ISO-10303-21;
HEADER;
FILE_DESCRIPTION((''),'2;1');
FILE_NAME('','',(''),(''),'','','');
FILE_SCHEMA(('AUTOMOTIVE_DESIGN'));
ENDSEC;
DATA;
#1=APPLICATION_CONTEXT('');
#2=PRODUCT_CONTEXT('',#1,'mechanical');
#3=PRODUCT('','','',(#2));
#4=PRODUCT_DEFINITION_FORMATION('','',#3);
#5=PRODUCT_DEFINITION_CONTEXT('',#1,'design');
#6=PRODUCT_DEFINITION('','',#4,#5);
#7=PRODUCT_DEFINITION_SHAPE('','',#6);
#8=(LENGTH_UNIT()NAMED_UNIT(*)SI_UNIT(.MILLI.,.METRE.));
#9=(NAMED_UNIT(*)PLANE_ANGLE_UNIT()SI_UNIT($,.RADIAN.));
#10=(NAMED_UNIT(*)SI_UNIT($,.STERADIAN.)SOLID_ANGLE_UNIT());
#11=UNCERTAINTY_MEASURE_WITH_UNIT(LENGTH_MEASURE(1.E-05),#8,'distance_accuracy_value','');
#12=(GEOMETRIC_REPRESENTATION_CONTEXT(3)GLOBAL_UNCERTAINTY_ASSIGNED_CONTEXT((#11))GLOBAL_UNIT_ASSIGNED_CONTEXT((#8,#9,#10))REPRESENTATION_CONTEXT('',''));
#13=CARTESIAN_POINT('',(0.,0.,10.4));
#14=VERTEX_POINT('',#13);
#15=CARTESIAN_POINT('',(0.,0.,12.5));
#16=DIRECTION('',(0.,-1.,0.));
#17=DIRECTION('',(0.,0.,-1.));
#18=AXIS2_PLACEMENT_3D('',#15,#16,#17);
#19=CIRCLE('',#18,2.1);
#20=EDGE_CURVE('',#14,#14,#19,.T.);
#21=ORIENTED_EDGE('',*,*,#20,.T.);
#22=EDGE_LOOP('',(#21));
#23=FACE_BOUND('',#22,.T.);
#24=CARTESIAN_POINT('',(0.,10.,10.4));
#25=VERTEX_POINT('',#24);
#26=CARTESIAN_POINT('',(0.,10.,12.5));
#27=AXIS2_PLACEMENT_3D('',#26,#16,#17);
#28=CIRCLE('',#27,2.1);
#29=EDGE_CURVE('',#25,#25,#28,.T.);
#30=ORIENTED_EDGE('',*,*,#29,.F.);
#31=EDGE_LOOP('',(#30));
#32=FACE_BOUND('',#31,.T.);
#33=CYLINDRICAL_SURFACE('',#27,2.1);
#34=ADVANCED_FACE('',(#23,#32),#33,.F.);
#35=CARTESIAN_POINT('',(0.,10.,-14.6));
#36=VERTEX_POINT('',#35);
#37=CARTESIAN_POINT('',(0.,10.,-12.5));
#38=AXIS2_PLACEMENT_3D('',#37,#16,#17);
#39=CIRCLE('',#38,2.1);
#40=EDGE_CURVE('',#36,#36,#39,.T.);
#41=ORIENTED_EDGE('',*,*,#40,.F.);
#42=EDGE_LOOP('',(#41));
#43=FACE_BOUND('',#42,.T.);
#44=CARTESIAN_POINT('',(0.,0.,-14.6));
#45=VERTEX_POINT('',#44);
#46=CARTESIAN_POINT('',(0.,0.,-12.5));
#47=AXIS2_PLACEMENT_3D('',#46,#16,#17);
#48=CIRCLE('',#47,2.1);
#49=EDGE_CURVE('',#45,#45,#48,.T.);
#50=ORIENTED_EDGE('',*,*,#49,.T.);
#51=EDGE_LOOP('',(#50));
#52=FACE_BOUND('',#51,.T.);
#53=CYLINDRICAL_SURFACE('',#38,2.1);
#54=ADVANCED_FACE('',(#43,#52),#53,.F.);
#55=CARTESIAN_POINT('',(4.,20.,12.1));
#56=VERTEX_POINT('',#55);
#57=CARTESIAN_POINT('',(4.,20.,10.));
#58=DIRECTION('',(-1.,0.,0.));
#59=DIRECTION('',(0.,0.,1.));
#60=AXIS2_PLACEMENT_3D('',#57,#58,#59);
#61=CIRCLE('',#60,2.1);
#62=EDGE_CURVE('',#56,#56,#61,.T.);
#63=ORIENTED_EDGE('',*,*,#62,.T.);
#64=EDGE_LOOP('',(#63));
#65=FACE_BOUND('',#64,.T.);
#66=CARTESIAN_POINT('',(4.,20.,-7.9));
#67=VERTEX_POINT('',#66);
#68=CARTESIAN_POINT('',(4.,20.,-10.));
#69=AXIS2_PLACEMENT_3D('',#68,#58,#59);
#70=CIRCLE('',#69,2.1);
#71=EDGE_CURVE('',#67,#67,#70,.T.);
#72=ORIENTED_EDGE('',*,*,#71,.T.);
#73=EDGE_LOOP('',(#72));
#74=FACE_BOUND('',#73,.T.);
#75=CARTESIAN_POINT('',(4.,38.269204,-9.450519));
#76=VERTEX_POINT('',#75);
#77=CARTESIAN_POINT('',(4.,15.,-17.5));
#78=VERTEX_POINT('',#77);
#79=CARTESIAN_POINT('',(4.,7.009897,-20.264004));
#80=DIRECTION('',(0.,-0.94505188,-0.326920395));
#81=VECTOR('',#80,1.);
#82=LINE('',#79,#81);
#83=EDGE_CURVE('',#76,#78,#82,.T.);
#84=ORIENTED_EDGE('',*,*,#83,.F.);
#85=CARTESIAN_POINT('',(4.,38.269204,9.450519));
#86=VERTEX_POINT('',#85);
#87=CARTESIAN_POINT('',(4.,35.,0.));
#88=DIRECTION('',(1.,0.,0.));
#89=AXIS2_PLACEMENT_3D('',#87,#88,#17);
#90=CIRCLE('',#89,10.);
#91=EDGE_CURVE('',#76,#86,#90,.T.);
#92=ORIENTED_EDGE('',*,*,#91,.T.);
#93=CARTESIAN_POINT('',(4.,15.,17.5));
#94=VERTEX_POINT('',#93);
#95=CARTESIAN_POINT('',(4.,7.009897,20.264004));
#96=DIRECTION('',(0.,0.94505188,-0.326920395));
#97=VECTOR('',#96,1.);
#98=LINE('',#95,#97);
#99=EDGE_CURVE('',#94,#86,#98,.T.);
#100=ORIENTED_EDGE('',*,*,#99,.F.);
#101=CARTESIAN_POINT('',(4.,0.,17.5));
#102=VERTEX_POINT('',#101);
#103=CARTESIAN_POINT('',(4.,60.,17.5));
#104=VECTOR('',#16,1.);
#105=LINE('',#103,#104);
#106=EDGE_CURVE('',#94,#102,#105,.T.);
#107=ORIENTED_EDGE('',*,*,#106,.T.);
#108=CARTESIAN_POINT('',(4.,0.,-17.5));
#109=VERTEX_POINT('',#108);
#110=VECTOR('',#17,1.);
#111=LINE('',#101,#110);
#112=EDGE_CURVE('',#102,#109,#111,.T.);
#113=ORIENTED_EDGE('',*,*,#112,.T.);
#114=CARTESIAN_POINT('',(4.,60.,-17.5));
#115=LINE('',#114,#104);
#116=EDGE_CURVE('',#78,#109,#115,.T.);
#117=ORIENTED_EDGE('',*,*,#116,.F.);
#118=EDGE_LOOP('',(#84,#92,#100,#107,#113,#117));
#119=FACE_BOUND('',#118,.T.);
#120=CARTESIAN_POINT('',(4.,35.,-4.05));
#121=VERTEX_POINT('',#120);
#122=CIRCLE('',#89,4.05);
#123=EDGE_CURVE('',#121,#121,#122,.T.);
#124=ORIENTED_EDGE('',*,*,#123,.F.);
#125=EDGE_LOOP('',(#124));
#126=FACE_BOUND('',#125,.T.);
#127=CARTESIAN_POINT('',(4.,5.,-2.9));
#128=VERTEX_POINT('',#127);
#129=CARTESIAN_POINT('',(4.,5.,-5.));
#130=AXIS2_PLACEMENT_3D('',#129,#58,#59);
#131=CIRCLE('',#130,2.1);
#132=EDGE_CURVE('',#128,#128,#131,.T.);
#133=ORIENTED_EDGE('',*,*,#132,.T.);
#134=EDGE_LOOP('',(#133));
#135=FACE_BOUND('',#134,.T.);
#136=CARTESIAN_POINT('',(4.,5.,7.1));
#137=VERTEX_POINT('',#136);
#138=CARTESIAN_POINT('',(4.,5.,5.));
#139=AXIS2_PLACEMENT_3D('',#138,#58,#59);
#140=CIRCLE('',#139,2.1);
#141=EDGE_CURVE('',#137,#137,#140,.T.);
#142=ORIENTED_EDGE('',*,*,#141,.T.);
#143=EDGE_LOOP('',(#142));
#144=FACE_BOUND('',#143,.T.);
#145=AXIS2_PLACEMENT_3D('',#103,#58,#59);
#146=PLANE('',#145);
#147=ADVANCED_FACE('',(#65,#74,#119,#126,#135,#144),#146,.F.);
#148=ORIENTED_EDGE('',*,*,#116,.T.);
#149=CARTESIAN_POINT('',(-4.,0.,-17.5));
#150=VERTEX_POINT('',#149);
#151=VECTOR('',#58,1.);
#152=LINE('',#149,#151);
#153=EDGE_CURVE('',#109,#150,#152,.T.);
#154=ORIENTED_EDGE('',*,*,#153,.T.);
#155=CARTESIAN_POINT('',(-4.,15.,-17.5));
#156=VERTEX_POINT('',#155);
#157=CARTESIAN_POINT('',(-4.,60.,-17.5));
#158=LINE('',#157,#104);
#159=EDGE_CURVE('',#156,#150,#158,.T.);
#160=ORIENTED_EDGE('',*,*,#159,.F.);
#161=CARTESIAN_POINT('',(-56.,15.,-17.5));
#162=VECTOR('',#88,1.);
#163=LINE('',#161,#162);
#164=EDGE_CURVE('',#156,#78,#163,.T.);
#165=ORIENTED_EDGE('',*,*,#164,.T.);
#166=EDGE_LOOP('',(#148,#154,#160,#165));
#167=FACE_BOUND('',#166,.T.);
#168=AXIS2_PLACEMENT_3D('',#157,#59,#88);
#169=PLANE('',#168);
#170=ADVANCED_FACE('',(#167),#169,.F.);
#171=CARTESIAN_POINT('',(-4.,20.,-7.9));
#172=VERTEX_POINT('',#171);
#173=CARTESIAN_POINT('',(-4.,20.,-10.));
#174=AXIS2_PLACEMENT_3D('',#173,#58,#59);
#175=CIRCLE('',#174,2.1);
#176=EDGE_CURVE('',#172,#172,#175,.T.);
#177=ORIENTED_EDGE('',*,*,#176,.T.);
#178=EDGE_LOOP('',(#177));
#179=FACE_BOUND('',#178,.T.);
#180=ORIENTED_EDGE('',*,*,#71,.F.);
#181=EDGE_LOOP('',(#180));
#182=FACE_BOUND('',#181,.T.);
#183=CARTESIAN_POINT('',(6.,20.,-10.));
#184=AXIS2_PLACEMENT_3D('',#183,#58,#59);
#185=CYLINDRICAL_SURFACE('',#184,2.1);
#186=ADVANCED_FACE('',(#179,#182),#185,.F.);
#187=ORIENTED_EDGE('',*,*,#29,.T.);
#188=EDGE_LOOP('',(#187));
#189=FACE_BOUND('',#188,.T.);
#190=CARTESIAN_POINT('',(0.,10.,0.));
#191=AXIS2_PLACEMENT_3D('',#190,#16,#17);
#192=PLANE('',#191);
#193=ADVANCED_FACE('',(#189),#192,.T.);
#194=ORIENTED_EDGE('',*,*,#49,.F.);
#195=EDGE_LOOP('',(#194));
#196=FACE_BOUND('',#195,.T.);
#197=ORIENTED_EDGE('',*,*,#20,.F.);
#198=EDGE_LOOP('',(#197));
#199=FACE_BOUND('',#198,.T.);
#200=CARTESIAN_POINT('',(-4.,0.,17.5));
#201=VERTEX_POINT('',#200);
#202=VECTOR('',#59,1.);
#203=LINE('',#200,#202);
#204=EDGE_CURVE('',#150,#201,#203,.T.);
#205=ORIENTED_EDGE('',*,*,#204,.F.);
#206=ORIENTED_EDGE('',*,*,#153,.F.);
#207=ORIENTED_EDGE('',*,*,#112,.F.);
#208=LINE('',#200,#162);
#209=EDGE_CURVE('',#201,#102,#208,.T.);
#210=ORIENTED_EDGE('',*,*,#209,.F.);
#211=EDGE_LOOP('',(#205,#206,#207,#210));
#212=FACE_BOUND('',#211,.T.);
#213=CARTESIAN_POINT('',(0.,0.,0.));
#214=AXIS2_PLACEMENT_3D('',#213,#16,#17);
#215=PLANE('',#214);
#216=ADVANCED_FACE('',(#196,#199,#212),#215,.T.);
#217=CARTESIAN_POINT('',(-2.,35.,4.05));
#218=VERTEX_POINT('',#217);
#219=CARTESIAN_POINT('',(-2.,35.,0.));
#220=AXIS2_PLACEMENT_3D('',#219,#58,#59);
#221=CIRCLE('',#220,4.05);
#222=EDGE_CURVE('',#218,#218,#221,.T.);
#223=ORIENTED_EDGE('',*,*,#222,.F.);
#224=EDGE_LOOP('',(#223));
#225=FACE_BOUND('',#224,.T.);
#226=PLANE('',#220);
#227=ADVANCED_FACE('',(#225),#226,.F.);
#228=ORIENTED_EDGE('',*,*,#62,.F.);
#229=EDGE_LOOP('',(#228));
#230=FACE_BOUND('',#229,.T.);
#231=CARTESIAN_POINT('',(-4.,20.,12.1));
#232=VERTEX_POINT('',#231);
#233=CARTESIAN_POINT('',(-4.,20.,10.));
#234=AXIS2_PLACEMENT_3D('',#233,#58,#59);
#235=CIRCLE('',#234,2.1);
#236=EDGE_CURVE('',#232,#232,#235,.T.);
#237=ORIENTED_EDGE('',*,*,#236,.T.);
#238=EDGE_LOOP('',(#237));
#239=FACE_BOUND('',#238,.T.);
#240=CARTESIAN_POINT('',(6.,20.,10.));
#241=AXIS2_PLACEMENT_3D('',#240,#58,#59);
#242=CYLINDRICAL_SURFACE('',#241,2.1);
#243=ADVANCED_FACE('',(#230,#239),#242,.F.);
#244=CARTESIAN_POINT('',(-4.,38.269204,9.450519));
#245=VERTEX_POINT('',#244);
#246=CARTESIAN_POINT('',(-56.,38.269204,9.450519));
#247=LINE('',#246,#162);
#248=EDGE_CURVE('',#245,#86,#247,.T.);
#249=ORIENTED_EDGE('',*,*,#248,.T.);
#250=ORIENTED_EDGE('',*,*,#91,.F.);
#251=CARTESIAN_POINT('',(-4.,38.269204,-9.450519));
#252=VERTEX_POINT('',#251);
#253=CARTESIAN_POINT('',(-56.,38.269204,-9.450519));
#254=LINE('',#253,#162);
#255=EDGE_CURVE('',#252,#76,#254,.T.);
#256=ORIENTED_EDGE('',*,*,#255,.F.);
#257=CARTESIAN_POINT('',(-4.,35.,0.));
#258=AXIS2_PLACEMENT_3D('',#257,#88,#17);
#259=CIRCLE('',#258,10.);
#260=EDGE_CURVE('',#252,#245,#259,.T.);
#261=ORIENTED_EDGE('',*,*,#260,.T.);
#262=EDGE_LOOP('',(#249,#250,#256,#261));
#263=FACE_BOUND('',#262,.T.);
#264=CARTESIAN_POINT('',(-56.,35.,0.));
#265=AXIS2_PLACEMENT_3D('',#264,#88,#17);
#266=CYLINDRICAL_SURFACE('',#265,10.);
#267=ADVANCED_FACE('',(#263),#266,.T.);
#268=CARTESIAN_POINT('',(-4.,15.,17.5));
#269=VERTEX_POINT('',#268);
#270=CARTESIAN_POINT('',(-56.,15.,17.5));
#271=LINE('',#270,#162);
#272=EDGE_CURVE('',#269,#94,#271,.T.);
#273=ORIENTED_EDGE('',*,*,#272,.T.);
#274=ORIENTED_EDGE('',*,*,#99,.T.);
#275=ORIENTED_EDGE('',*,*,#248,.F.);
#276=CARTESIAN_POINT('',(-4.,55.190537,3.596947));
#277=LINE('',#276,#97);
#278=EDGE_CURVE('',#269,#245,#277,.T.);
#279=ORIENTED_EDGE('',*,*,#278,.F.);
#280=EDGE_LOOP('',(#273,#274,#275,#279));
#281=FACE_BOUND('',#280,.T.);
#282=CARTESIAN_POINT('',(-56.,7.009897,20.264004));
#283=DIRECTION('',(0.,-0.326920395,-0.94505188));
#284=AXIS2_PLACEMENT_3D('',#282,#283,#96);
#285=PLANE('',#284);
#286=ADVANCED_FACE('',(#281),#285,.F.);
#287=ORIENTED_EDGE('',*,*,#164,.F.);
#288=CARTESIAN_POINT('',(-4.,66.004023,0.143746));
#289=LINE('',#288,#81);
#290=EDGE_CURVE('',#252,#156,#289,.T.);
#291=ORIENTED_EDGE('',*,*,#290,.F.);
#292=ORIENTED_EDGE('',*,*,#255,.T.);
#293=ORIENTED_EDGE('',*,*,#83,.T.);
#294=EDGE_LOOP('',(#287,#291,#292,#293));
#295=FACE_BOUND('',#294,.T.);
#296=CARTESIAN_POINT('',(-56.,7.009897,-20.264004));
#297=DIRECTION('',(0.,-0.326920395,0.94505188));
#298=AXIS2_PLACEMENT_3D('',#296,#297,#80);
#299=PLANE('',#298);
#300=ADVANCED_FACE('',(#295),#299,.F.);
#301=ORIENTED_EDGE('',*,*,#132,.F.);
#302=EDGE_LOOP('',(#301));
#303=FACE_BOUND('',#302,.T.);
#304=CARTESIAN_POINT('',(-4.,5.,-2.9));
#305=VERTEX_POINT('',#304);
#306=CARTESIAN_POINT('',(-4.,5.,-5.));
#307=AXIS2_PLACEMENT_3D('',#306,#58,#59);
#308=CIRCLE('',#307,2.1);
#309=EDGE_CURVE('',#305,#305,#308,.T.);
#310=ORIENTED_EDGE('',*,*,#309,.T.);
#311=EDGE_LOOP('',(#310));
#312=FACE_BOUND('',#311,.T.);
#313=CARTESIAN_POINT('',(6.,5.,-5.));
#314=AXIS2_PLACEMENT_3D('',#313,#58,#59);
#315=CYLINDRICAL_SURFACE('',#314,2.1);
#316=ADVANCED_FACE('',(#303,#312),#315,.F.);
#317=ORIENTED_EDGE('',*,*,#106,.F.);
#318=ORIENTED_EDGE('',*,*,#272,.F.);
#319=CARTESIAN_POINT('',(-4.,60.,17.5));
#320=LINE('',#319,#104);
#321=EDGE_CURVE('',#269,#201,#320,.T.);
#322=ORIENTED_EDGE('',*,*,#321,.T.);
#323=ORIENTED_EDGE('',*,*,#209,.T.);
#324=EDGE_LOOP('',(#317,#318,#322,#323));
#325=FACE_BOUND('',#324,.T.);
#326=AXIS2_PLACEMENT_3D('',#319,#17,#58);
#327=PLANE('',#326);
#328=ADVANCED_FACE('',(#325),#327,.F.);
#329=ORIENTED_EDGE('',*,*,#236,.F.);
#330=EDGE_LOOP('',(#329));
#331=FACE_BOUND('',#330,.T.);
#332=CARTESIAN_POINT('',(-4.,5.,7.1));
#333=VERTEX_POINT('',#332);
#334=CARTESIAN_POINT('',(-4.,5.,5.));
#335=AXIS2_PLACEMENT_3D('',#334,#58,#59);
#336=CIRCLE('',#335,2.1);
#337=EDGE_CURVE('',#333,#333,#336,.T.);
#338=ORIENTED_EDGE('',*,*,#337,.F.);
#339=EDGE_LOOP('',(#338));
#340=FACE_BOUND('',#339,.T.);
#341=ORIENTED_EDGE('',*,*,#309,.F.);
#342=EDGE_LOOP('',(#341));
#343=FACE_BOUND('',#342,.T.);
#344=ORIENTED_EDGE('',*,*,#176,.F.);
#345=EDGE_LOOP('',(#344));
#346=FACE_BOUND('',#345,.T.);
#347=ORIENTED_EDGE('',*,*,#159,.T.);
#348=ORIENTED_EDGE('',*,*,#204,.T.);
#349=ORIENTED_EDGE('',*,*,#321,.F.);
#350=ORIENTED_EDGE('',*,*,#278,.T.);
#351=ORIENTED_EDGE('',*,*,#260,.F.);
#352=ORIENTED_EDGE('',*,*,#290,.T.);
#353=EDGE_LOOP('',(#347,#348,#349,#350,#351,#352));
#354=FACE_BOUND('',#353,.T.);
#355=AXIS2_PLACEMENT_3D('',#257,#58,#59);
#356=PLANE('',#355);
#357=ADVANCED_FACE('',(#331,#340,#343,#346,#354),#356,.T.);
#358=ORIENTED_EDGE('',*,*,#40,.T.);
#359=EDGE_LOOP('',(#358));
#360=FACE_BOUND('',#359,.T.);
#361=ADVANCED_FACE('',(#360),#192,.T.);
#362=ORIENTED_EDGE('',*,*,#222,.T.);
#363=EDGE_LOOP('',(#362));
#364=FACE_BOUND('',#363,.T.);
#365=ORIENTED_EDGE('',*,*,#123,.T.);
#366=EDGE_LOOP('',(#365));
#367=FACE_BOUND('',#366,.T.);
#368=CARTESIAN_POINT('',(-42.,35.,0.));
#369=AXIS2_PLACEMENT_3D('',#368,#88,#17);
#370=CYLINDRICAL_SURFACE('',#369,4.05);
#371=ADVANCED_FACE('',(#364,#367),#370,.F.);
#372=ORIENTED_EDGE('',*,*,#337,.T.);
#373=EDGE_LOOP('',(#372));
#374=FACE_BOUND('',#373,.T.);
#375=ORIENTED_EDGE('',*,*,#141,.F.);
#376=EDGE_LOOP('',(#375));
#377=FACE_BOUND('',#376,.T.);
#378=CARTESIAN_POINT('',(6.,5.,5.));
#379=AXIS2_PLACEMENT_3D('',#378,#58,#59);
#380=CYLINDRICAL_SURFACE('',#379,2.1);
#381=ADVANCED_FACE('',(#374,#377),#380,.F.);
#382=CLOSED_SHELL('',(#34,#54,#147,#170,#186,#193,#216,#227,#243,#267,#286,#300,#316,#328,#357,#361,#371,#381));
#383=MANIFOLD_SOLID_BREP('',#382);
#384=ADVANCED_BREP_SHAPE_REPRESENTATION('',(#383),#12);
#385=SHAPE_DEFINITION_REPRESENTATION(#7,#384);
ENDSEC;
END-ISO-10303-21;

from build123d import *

# Parameters (mm, degrees)
SKETCH_1_W          = 8
SKETCH_1_H          = 35
EXTRUDE_1_DEPTH     = 60
CUT_EXTRUDE_1_DEPTH = 60
SKETCH_3_R          = 2.1
CUT_EXTRUDE_2_DEPTH = 10
SKETCH_4_R          = 4.05
CUT_EXTRUDE_3_DEPTH = 46
SKETCH_5_R          = 2.1
CUT_EXTRUDE_4_DEPTH = 10
SKETCH_7_R          = 4.05
EXTRUDE_2_DEPTH     = 2


with BuildPart() as part:
    # 草图1 → 凸台-拉伸1 (new body)
    with BuildSketch(Plane(origin=(0, 0, 0), x_dir=(1, 0, 0), z_dir=(0, 1, 0))):
        Rectangle(SKETCH_1_W, SKETCH_1_H)
    extrude(amount=EXTRUDE_1_DEPTH)

    # 草图2 → 切除-拉伸1 (cut)
    with BuildSketch(Plane(origin=(4, 0, 0), x_dir=(0, 0, -1), z_dir=(1, 0, 0))):
        with BuildLine():
            Line((-17.5, 15), (-9.450518874, 38.269203727))
            ThreePointArc((-9.450518874, 38.269203727), (-1.17e-07, 45), (9.450518798, 38.269203948))
            Line((9.450518798, 38.269203948), (17.5, 15))
            Line((17.5, 15), (17.5, 60))
            Line((17.5, 60), (-17.5, 60))
            Line((-17.5, 60), (-17.5, 15))
        make_face()
    extrude(amount=-CUT_EXTRUDE_1_DEPTH, mode=Mode.SUBTRACT)

    # 草图3 → 切除-拉伸2 (cut)
    with BuildSketch(Plane.XZ):
        with Locations(Location((0, -12.5, 0), (0, 0, 270))):
            Circle(SKETCH_3_R)
        with Locations(Location((0, 12.5, 0), (0, 0, 270))):
            Circle(SKETCH_3_R)
    extrude(amount=-CUT_EXTRUDE_2_DEPTH, mode=Mode.SUBTRACT)

    # 草图4 → 切除-拉伸3 (cut)
    with BuildSketch(Plane(origin=(4, 0, 0), x_dir=(0, 0, -1), z_dir=(1, 0, 0))):
        with Locations((0, 35)):
            Circle(SKETCH_4_R)
    extrude(amount=-CUT_EXTRUDE_3_DEPTH, mode=Mode.SUBTRACT)

    # 草图5 → 切除-拉伸4 (cut)
    with BuildSketch(Plane.ZY.offset(4)):
        with Locations((10, 20)):
            Circle(SKETCH_5_R)
        with Locations((-10, 20)):
            Circle(SKETCH_5_R)
        with Locations((5, 5)):
            Circle(SKETCH_5_R)
        with Locations((-5, 5)):
            Circle(SKETCH_5_R)
    extrude(amount=-CUT_EXTRUDE_4_DEPTH, mode=Mode.SUBTRACT)


with BuildPart() as body_2:
    # 草图7 → 凸台-拉伸2 (new body)
    with BuildSketch(Plane.ZY.offset(4)):
        with Locations(Location((0, 35, 0), (0, 0, 180))):
            Circle(SKETCH_7_R)
    extrude(amount=-EXTRUDE_2_DEPTH)

    # Combine 3: union part
    add(part.part)


solid = body_2.part
